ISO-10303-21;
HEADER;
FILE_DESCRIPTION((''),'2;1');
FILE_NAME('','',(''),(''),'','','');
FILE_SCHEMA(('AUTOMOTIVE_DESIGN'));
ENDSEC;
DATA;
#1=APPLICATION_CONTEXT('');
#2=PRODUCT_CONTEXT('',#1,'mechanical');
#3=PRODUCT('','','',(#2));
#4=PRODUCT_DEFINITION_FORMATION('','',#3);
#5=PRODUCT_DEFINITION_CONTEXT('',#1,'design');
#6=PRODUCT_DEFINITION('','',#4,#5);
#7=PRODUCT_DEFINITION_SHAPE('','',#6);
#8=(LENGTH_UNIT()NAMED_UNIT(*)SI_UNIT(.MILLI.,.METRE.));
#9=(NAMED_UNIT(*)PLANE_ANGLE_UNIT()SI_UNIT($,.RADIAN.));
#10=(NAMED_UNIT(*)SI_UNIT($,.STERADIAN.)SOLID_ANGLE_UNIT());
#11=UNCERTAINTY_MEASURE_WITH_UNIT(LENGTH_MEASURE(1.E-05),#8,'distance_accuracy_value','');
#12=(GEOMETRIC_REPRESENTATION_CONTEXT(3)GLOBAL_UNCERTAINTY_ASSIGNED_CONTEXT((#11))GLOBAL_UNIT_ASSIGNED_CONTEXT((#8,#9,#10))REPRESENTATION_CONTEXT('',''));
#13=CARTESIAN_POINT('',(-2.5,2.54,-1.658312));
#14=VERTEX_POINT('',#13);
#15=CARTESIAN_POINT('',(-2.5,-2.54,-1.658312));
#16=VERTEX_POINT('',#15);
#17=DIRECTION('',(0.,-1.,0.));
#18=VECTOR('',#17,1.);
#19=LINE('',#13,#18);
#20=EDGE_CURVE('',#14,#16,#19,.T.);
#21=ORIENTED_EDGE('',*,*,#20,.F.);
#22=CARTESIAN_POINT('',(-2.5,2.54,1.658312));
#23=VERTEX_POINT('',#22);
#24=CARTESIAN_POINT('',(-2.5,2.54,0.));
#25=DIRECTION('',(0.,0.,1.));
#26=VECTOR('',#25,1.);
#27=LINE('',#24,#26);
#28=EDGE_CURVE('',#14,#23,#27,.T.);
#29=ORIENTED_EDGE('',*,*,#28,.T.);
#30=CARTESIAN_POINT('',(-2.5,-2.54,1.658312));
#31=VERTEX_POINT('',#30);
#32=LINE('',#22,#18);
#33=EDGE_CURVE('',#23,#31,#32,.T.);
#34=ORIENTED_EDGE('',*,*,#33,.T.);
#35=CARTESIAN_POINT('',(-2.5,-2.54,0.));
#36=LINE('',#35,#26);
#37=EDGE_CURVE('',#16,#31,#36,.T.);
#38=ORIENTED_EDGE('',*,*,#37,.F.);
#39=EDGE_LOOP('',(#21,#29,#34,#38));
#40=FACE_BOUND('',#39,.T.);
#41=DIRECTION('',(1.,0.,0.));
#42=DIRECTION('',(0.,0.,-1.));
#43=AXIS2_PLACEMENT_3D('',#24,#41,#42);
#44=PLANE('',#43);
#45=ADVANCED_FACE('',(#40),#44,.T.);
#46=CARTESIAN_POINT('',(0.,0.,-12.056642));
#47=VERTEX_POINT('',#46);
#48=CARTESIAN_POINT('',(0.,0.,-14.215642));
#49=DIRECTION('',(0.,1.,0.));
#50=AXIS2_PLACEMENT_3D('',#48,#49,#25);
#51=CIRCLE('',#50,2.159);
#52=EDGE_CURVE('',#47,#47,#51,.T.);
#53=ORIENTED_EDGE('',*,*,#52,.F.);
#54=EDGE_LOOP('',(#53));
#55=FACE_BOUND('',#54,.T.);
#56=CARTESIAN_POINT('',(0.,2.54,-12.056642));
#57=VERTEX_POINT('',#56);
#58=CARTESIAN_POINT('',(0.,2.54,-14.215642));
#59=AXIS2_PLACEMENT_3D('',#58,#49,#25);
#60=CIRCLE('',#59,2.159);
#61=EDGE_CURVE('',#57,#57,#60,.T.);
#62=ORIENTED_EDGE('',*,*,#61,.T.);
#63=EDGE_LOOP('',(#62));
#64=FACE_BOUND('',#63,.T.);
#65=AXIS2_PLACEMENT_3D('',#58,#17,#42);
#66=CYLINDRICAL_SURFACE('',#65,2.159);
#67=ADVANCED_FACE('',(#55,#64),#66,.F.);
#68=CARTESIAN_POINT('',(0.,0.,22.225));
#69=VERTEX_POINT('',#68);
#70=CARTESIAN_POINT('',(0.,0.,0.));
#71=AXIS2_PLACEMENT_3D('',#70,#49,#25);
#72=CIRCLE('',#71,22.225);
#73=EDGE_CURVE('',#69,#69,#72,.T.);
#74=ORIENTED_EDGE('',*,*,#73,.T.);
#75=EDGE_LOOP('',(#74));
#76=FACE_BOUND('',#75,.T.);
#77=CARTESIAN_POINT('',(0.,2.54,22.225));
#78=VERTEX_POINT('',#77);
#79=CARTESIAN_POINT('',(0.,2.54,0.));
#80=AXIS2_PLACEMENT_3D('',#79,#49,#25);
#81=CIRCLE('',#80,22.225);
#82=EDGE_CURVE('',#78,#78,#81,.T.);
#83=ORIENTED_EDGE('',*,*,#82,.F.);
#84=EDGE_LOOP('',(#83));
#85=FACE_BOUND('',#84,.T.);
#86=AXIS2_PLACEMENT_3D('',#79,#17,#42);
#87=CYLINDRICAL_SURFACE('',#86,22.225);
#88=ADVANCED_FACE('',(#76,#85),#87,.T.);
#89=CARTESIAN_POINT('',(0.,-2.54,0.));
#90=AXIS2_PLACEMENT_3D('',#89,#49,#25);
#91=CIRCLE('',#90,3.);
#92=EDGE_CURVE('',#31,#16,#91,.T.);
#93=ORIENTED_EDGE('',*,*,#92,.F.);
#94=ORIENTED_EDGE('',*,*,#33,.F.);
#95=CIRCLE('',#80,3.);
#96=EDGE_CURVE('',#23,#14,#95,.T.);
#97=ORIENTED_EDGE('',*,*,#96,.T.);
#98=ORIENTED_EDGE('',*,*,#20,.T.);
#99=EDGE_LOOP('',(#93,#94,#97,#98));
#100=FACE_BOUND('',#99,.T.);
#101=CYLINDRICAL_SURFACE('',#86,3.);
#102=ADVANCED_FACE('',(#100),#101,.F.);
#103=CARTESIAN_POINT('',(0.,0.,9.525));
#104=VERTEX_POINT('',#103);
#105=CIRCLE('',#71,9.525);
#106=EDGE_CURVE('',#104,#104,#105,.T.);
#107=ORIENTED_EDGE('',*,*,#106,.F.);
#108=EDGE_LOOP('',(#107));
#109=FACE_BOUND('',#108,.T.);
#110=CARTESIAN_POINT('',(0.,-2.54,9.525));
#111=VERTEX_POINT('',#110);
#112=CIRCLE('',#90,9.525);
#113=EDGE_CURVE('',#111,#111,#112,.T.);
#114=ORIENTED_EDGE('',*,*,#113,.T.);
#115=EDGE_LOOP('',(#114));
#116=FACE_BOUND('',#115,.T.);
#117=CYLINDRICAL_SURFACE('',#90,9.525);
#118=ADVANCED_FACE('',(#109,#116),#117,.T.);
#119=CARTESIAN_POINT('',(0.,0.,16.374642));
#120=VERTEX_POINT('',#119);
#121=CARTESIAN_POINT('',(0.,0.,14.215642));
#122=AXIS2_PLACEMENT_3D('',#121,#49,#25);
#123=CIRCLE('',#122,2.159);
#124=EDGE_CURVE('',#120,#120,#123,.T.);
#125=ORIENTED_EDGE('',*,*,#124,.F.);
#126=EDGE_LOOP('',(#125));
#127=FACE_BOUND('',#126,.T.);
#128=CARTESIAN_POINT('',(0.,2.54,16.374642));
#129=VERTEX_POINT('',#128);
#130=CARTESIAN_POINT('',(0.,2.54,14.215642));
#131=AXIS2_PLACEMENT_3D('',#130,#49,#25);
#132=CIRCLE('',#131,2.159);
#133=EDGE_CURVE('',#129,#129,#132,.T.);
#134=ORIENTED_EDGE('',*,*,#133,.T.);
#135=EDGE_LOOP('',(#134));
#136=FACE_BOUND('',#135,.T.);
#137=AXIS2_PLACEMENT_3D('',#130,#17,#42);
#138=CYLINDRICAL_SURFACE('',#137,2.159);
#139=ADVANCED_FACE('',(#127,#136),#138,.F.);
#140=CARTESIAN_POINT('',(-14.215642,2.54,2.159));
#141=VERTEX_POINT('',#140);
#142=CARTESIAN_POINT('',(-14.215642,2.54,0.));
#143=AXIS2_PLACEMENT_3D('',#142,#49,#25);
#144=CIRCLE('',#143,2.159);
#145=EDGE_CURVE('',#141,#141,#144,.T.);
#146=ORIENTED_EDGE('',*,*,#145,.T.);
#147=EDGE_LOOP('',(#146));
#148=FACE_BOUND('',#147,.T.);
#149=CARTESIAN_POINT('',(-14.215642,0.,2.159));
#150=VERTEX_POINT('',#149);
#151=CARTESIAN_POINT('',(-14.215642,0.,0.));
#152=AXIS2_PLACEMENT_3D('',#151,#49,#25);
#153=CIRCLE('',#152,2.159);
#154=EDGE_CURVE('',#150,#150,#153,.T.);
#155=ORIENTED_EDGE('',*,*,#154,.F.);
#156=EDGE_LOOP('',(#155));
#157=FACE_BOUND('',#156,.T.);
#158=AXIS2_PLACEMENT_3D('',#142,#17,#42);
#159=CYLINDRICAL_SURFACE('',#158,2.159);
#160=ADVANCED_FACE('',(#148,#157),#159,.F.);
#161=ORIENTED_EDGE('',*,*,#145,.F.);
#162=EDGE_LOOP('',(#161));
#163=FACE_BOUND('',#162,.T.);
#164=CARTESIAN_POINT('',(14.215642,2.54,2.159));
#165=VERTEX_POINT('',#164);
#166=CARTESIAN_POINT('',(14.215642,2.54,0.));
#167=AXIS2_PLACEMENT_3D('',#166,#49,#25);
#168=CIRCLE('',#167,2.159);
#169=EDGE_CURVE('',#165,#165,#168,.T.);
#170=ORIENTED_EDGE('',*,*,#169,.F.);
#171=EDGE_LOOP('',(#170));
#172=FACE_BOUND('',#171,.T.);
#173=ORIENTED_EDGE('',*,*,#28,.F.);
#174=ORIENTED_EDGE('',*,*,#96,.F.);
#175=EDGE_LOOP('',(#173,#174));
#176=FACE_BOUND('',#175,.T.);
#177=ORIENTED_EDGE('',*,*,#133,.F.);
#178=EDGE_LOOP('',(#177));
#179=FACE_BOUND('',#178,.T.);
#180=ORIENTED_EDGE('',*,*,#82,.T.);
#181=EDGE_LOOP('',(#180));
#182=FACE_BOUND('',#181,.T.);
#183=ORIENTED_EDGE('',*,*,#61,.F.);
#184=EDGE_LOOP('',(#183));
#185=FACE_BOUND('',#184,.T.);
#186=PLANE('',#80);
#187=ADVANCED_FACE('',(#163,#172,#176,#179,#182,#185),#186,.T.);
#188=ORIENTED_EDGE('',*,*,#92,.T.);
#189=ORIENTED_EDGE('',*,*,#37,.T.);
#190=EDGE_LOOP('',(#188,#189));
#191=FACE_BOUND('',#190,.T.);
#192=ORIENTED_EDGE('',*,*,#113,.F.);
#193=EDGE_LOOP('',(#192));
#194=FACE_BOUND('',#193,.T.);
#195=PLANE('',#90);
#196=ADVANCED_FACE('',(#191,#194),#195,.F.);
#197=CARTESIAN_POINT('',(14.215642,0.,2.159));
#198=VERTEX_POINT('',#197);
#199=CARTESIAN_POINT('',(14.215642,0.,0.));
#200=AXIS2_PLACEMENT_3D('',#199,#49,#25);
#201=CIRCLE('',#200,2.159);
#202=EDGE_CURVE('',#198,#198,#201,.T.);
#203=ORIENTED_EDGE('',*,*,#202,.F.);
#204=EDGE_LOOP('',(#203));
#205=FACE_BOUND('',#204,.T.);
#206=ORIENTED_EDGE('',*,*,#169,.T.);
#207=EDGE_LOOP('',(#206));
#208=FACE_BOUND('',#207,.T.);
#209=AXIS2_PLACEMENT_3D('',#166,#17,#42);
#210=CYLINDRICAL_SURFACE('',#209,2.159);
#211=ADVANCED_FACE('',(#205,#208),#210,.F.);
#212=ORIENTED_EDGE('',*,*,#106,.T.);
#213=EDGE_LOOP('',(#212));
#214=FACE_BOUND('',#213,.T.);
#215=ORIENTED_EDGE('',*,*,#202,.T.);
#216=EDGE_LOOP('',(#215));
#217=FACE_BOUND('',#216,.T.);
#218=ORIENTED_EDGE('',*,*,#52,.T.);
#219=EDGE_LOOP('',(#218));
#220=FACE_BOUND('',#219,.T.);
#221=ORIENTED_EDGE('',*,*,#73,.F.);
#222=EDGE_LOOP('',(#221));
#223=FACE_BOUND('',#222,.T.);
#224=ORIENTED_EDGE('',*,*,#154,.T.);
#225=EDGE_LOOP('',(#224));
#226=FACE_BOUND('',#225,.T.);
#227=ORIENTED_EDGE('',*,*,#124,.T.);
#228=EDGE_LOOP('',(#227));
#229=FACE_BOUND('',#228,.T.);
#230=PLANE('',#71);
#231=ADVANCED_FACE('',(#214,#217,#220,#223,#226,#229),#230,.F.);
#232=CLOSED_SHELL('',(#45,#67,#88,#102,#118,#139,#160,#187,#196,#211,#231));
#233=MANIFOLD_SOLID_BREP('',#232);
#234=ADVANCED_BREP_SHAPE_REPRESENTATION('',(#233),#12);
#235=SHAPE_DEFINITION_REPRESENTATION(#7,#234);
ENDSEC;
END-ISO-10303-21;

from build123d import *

# Parameters (mm, degrees)
SKETCH1_R           = 22.225
SKETCH1_R_2         = 2.159
BOSS_EXTRUDE1_DEPTH = 2.54
BOSS_EXTRUDE2_START = -2.54
SKETCH1_4_R         = 9.525
BOSS_EXTRUDE2_DEPTH = 2.54


with BuildPart() as part:
    # Sketch1 → Boss-Extrude1 (new body)
    with BuildSketch(Plane(origin=(0, 0, 0), x_dir=(1, 0, 0), z_dir=(0, 1, 0))):
        Circle(SKETCH1_R)
        with BuildLine():
            Line((-2.5, -1.658312395), (-2.5, 1.658312395))
            ThreePointArc((-2.5, 1.658312395), (3, 0), (-2.5, -1.658312395))
        make_face(mode=Mode.SUBTRACT)
        with Locations((0, -14.21564213)):
            Circle(SKETCH1_R_2, mode=Mode.SUBTRACT)
        with Locations((14.21564213, 0)):
            Circle(SKETCH1_R_2, mode=Mode.SUBTRACT)
        with Locations((-14.21564213, 0)):
            Circle(SKETCH1_R_2, mode=Mode.SUBTRACT)
        with Locations((0, 14.21564213)):
            Circle(SKETCH1_R_2, mode=Mode.SUBTRACT)
    extrude(amount=BOSS_EXTRUDE1_DEPTH)

    # Sketch1<4> → Boss-Extrude2 (add)
    with BuildSketch(Plane(origin=(0, 0, 0), x_dir=(1, 0, 0), z_dir=(0, 1, 0)).offset(BOSS_EXTRUDE2_START)):
        Circle(SKETCH1_4_R)
        with BuildLine():
            Line((-2.5, -1.658312395), (-2.5, 1.658312395))
            ThreePointArc((-2.5, 1.658312395), (3, 0), (-2.5, -1.658312395))
        make_face(mode=Mode.SUBTRACT)
    extrude(amount=BOSS_EXTRUDE2_DEPTH)


solid = part.part
